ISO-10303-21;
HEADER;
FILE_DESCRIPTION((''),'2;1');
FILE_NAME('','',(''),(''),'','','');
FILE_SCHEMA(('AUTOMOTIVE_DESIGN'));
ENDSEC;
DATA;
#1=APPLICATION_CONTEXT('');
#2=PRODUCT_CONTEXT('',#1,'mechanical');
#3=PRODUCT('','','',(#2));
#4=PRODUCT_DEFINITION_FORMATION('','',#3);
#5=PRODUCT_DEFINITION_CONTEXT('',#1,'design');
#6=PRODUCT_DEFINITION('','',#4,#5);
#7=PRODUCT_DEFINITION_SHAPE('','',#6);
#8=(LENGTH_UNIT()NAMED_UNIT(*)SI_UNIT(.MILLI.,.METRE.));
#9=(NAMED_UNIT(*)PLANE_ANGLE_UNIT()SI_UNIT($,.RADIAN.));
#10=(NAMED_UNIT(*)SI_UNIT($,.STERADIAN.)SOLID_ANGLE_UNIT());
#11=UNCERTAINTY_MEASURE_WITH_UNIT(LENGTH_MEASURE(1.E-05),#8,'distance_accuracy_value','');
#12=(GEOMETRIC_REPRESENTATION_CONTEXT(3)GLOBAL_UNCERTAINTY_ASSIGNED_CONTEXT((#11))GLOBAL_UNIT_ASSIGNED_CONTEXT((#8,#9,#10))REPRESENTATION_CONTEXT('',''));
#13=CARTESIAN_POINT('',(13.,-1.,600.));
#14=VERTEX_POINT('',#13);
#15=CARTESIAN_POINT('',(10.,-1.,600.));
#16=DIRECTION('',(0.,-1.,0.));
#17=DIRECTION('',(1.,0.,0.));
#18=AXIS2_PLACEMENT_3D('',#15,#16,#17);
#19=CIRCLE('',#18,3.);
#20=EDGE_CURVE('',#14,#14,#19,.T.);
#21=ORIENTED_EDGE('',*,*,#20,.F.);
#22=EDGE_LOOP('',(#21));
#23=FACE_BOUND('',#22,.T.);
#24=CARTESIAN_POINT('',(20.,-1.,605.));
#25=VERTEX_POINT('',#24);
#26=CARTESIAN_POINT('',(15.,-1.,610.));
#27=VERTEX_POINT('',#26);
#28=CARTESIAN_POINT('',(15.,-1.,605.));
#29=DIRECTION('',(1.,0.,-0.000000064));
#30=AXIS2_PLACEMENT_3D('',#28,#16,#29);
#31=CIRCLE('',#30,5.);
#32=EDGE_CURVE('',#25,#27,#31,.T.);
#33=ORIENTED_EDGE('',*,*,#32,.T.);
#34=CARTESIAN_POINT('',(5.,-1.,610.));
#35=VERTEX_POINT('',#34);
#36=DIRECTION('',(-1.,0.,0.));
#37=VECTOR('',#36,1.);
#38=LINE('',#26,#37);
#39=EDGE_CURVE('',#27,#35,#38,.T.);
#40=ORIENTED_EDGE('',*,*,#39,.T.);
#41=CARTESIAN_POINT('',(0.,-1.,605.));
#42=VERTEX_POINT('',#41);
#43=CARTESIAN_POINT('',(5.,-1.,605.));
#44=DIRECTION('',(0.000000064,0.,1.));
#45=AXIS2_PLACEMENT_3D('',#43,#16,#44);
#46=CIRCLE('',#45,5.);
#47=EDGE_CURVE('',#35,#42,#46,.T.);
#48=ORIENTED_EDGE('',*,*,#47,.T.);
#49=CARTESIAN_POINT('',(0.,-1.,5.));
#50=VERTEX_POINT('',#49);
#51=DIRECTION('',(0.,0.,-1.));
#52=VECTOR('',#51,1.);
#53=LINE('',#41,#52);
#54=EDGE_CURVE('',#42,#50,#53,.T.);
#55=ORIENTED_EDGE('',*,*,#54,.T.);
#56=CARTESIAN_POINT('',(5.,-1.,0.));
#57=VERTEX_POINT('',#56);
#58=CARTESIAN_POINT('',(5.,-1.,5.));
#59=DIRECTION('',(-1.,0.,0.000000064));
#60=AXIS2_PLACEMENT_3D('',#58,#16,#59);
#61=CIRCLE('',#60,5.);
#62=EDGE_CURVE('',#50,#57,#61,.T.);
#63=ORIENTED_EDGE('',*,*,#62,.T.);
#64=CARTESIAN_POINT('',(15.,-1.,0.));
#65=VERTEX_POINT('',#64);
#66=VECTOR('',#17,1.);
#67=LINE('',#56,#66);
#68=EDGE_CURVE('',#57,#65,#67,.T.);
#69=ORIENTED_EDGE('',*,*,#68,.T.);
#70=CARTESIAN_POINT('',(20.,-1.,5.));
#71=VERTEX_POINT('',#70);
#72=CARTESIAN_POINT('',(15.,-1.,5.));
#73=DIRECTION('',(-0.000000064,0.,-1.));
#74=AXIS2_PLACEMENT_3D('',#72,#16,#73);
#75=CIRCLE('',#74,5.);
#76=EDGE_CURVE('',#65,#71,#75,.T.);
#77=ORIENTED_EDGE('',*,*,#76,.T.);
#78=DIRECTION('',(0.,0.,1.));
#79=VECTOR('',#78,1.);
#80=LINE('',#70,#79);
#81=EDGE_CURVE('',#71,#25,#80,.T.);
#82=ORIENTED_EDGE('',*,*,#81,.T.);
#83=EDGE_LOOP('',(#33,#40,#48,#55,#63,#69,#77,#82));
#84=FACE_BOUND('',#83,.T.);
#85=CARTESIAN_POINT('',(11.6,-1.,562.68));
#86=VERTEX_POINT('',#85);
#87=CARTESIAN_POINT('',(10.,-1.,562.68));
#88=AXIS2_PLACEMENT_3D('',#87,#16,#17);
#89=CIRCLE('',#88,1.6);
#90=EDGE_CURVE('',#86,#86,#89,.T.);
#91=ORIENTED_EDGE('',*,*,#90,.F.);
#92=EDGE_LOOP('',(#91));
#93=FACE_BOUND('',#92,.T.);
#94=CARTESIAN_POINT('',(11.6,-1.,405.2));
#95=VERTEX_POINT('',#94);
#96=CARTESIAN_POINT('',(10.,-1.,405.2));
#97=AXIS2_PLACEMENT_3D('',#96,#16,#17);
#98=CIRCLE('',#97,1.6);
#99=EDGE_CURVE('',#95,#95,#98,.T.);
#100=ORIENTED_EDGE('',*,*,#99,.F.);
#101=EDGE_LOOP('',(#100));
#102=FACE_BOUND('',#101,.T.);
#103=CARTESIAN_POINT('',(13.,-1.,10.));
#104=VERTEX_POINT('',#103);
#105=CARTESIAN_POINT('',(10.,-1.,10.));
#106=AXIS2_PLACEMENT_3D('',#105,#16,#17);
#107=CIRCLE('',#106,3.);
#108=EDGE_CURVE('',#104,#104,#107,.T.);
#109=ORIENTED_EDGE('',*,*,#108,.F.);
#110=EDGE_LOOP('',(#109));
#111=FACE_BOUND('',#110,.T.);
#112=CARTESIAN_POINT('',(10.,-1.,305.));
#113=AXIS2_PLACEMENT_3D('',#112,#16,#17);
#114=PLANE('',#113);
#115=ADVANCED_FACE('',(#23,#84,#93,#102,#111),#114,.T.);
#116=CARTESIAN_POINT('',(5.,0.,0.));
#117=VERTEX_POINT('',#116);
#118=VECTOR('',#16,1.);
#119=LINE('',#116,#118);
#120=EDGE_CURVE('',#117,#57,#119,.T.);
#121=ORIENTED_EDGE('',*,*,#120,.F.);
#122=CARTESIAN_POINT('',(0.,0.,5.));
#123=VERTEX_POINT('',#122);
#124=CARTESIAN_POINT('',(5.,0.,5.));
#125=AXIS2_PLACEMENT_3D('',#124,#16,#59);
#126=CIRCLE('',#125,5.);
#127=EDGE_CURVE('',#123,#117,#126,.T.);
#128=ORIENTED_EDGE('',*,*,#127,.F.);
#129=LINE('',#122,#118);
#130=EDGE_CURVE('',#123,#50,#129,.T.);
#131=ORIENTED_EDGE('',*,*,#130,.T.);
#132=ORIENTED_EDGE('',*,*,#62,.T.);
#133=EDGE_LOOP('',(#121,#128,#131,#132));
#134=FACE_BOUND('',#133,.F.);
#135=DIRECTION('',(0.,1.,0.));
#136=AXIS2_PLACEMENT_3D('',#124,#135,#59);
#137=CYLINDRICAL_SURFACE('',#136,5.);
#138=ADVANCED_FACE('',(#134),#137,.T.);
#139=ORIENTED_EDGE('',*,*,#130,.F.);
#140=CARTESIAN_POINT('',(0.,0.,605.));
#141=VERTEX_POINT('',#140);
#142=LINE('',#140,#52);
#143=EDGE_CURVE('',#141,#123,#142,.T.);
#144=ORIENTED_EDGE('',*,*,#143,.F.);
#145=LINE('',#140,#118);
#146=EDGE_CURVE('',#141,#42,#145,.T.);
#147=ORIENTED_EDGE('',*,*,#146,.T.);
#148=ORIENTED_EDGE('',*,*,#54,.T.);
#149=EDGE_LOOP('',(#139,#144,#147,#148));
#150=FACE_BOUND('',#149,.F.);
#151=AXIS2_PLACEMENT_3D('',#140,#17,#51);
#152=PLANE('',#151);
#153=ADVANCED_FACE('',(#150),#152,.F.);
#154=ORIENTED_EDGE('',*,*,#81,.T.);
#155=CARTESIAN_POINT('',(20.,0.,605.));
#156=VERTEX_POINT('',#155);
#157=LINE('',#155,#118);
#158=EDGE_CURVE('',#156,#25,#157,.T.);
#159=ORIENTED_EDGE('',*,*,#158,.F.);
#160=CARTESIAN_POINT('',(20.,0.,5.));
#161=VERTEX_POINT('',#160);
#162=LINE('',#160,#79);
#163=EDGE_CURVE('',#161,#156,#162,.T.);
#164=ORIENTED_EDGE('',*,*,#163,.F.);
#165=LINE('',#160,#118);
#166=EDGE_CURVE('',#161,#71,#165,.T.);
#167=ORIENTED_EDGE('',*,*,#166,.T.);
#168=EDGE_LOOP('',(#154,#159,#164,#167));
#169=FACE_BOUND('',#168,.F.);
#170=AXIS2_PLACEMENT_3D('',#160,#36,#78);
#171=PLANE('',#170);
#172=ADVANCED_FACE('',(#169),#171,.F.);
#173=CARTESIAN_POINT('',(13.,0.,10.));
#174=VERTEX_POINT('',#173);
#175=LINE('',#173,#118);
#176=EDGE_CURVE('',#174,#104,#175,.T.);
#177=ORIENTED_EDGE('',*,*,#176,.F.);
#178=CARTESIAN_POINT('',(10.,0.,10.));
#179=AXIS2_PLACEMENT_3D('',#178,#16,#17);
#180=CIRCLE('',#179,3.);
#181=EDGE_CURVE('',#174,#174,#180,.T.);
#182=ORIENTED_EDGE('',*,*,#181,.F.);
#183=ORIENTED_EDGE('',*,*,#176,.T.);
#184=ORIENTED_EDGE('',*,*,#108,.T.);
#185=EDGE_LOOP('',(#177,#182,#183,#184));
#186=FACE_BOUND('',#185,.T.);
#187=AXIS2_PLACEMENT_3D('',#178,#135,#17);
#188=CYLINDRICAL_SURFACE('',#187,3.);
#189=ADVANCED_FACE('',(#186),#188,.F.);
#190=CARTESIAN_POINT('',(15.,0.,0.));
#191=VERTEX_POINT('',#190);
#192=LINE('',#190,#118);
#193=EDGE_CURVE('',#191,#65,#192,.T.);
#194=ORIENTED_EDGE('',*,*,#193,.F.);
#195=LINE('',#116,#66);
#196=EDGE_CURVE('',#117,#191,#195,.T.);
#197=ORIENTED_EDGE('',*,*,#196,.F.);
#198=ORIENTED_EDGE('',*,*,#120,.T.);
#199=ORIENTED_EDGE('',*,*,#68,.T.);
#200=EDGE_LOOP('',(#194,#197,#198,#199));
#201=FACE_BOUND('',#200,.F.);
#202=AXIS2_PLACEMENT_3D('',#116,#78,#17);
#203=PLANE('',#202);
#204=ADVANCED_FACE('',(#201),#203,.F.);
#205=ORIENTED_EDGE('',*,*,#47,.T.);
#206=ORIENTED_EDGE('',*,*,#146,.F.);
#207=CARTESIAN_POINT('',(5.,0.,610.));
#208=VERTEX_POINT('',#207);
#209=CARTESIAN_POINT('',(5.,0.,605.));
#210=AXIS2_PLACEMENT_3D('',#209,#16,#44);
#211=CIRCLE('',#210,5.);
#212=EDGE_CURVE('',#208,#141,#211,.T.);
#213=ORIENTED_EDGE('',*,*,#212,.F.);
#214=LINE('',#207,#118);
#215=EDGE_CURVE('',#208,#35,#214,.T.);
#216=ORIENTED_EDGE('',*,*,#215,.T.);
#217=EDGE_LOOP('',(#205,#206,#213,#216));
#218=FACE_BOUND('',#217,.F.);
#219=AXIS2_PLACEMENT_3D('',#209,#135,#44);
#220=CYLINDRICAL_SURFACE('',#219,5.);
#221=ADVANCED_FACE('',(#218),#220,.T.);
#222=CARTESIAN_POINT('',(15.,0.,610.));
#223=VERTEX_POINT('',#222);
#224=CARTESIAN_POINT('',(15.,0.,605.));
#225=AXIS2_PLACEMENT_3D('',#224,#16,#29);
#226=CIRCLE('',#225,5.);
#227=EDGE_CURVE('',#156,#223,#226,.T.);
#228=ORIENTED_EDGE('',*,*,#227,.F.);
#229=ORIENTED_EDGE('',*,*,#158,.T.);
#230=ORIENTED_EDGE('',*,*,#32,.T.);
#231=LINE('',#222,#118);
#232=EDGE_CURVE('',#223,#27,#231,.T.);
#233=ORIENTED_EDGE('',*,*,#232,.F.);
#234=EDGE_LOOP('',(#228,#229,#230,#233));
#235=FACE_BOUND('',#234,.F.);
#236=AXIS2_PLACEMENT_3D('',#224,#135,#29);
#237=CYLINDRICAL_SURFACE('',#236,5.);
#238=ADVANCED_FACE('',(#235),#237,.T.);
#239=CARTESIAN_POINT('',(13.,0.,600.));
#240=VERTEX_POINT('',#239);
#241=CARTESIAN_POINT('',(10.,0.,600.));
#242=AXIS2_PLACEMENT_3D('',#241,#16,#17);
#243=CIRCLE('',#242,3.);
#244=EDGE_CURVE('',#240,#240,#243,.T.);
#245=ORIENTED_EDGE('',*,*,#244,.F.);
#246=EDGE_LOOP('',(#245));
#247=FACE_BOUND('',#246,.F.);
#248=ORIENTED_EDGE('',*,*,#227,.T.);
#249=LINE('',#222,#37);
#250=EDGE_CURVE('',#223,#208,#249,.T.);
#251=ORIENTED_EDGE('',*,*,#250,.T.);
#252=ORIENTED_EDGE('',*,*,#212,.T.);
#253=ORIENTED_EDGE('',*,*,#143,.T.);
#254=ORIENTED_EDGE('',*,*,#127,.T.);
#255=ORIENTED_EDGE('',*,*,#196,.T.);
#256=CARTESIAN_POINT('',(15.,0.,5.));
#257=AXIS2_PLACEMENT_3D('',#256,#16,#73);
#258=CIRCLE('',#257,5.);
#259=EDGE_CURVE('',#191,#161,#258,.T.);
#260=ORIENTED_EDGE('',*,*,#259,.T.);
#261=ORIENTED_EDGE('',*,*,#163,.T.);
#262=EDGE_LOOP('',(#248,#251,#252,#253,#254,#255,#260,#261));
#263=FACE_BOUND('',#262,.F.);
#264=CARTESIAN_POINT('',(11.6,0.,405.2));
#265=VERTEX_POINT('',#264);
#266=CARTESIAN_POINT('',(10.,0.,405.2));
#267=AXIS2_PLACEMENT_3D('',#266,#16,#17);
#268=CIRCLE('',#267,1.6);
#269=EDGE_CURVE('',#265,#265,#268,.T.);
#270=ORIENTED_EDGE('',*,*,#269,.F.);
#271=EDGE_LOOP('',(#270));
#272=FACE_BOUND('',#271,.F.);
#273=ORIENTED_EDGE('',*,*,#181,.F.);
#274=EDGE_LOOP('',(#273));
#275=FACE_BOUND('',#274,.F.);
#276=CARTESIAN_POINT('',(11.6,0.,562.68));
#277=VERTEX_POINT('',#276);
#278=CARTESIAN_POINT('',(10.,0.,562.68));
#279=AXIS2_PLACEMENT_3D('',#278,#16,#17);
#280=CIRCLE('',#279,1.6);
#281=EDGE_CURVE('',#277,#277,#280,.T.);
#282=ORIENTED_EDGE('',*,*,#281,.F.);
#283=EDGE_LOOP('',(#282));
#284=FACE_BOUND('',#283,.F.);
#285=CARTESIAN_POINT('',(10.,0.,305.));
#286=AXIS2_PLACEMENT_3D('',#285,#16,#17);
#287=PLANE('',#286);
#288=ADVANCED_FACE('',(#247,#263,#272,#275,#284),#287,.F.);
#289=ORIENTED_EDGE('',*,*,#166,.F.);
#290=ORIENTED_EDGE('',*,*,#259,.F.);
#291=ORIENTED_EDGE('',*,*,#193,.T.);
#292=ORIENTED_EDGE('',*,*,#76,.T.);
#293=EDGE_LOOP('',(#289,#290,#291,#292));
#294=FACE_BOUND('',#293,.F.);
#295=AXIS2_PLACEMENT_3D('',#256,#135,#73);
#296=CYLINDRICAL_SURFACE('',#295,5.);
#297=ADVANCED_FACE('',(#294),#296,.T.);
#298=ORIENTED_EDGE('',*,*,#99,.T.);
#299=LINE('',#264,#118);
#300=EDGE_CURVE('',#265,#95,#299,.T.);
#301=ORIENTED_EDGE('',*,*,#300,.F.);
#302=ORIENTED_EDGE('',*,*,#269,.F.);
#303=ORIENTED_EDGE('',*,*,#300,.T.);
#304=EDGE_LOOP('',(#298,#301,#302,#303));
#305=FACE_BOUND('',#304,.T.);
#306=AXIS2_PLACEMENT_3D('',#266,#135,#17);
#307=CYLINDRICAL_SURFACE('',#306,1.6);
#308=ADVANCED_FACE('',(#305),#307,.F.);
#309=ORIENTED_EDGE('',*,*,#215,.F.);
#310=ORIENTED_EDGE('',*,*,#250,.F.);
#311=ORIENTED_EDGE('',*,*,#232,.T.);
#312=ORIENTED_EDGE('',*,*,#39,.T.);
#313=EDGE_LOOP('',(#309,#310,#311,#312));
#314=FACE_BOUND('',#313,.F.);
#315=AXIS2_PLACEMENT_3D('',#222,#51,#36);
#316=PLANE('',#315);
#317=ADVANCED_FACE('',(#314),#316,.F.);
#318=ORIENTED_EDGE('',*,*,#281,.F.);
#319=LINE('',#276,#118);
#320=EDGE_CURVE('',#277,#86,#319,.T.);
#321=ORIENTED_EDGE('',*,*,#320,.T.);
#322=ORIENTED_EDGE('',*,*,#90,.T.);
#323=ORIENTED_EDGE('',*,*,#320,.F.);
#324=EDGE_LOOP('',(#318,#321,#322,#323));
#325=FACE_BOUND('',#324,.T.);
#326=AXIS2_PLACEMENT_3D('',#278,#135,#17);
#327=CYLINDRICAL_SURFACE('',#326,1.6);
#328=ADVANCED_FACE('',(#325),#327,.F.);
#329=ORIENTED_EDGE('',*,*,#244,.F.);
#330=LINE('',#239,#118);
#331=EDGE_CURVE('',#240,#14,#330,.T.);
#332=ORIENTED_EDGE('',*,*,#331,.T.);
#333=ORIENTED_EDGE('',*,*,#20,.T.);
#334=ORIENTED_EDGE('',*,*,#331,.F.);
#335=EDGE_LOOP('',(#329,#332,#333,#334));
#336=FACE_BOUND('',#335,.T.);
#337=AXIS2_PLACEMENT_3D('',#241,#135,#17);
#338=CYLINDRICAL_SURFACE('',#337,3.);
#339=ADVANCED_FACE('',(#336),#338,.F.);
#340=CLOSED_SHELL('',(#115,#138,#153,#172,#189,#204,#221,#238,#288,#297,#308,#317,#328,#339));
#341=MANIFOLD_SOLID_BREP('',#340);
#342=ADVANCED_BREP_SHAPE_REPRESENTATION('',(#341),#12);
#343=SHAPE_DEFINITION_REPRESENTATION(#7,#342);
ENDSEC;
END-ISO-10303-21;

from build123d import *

# Parameters (mm, degrees)
F0_R     = 3
F0_R_2   = 1.6
F1_DEPTH = 1


with BuildPart() as f1:
    # F0 (on Front) → F1 (new body)
    with BuildSketch(Plane.XZ):
        with BuildLine():
            ThreePointArc((0, 5), (1.464466, 1.464466), (5, 0))
            Line((5, 0), (15, 0))
            ThreePointArc((15, 0), (18.535534, 1.464466), (20, 5))
            Line((20, 5), (20, 605))
            ThreePointArc((20, 605), (18.535534, 608.535534), (15, 610))
            Line((15, 610), (5, 610))
            ThreePointArc((5, 610), (1.464466, 608.535534), (0, 605))
            Line((0, 605), (0, 5))
        make_face()
        with Locations((10, 10)):
            Circle(F0_R, mode=Mode.SUBTRACT)
        with Locations((10, 405.2)):
            Circle(F0_R_2, mode=Mode.SUBTRACT)
        with Locations((10, 562.68)):
            Circle(F0_R_2, mode=Mode.SUBTRACT)
        with Locations((10, 600)):
            Circle(F0_R, mode=Mode.SUBTRACT)
    extrude(amount=F1_DEPTH)


solid = f1.part
